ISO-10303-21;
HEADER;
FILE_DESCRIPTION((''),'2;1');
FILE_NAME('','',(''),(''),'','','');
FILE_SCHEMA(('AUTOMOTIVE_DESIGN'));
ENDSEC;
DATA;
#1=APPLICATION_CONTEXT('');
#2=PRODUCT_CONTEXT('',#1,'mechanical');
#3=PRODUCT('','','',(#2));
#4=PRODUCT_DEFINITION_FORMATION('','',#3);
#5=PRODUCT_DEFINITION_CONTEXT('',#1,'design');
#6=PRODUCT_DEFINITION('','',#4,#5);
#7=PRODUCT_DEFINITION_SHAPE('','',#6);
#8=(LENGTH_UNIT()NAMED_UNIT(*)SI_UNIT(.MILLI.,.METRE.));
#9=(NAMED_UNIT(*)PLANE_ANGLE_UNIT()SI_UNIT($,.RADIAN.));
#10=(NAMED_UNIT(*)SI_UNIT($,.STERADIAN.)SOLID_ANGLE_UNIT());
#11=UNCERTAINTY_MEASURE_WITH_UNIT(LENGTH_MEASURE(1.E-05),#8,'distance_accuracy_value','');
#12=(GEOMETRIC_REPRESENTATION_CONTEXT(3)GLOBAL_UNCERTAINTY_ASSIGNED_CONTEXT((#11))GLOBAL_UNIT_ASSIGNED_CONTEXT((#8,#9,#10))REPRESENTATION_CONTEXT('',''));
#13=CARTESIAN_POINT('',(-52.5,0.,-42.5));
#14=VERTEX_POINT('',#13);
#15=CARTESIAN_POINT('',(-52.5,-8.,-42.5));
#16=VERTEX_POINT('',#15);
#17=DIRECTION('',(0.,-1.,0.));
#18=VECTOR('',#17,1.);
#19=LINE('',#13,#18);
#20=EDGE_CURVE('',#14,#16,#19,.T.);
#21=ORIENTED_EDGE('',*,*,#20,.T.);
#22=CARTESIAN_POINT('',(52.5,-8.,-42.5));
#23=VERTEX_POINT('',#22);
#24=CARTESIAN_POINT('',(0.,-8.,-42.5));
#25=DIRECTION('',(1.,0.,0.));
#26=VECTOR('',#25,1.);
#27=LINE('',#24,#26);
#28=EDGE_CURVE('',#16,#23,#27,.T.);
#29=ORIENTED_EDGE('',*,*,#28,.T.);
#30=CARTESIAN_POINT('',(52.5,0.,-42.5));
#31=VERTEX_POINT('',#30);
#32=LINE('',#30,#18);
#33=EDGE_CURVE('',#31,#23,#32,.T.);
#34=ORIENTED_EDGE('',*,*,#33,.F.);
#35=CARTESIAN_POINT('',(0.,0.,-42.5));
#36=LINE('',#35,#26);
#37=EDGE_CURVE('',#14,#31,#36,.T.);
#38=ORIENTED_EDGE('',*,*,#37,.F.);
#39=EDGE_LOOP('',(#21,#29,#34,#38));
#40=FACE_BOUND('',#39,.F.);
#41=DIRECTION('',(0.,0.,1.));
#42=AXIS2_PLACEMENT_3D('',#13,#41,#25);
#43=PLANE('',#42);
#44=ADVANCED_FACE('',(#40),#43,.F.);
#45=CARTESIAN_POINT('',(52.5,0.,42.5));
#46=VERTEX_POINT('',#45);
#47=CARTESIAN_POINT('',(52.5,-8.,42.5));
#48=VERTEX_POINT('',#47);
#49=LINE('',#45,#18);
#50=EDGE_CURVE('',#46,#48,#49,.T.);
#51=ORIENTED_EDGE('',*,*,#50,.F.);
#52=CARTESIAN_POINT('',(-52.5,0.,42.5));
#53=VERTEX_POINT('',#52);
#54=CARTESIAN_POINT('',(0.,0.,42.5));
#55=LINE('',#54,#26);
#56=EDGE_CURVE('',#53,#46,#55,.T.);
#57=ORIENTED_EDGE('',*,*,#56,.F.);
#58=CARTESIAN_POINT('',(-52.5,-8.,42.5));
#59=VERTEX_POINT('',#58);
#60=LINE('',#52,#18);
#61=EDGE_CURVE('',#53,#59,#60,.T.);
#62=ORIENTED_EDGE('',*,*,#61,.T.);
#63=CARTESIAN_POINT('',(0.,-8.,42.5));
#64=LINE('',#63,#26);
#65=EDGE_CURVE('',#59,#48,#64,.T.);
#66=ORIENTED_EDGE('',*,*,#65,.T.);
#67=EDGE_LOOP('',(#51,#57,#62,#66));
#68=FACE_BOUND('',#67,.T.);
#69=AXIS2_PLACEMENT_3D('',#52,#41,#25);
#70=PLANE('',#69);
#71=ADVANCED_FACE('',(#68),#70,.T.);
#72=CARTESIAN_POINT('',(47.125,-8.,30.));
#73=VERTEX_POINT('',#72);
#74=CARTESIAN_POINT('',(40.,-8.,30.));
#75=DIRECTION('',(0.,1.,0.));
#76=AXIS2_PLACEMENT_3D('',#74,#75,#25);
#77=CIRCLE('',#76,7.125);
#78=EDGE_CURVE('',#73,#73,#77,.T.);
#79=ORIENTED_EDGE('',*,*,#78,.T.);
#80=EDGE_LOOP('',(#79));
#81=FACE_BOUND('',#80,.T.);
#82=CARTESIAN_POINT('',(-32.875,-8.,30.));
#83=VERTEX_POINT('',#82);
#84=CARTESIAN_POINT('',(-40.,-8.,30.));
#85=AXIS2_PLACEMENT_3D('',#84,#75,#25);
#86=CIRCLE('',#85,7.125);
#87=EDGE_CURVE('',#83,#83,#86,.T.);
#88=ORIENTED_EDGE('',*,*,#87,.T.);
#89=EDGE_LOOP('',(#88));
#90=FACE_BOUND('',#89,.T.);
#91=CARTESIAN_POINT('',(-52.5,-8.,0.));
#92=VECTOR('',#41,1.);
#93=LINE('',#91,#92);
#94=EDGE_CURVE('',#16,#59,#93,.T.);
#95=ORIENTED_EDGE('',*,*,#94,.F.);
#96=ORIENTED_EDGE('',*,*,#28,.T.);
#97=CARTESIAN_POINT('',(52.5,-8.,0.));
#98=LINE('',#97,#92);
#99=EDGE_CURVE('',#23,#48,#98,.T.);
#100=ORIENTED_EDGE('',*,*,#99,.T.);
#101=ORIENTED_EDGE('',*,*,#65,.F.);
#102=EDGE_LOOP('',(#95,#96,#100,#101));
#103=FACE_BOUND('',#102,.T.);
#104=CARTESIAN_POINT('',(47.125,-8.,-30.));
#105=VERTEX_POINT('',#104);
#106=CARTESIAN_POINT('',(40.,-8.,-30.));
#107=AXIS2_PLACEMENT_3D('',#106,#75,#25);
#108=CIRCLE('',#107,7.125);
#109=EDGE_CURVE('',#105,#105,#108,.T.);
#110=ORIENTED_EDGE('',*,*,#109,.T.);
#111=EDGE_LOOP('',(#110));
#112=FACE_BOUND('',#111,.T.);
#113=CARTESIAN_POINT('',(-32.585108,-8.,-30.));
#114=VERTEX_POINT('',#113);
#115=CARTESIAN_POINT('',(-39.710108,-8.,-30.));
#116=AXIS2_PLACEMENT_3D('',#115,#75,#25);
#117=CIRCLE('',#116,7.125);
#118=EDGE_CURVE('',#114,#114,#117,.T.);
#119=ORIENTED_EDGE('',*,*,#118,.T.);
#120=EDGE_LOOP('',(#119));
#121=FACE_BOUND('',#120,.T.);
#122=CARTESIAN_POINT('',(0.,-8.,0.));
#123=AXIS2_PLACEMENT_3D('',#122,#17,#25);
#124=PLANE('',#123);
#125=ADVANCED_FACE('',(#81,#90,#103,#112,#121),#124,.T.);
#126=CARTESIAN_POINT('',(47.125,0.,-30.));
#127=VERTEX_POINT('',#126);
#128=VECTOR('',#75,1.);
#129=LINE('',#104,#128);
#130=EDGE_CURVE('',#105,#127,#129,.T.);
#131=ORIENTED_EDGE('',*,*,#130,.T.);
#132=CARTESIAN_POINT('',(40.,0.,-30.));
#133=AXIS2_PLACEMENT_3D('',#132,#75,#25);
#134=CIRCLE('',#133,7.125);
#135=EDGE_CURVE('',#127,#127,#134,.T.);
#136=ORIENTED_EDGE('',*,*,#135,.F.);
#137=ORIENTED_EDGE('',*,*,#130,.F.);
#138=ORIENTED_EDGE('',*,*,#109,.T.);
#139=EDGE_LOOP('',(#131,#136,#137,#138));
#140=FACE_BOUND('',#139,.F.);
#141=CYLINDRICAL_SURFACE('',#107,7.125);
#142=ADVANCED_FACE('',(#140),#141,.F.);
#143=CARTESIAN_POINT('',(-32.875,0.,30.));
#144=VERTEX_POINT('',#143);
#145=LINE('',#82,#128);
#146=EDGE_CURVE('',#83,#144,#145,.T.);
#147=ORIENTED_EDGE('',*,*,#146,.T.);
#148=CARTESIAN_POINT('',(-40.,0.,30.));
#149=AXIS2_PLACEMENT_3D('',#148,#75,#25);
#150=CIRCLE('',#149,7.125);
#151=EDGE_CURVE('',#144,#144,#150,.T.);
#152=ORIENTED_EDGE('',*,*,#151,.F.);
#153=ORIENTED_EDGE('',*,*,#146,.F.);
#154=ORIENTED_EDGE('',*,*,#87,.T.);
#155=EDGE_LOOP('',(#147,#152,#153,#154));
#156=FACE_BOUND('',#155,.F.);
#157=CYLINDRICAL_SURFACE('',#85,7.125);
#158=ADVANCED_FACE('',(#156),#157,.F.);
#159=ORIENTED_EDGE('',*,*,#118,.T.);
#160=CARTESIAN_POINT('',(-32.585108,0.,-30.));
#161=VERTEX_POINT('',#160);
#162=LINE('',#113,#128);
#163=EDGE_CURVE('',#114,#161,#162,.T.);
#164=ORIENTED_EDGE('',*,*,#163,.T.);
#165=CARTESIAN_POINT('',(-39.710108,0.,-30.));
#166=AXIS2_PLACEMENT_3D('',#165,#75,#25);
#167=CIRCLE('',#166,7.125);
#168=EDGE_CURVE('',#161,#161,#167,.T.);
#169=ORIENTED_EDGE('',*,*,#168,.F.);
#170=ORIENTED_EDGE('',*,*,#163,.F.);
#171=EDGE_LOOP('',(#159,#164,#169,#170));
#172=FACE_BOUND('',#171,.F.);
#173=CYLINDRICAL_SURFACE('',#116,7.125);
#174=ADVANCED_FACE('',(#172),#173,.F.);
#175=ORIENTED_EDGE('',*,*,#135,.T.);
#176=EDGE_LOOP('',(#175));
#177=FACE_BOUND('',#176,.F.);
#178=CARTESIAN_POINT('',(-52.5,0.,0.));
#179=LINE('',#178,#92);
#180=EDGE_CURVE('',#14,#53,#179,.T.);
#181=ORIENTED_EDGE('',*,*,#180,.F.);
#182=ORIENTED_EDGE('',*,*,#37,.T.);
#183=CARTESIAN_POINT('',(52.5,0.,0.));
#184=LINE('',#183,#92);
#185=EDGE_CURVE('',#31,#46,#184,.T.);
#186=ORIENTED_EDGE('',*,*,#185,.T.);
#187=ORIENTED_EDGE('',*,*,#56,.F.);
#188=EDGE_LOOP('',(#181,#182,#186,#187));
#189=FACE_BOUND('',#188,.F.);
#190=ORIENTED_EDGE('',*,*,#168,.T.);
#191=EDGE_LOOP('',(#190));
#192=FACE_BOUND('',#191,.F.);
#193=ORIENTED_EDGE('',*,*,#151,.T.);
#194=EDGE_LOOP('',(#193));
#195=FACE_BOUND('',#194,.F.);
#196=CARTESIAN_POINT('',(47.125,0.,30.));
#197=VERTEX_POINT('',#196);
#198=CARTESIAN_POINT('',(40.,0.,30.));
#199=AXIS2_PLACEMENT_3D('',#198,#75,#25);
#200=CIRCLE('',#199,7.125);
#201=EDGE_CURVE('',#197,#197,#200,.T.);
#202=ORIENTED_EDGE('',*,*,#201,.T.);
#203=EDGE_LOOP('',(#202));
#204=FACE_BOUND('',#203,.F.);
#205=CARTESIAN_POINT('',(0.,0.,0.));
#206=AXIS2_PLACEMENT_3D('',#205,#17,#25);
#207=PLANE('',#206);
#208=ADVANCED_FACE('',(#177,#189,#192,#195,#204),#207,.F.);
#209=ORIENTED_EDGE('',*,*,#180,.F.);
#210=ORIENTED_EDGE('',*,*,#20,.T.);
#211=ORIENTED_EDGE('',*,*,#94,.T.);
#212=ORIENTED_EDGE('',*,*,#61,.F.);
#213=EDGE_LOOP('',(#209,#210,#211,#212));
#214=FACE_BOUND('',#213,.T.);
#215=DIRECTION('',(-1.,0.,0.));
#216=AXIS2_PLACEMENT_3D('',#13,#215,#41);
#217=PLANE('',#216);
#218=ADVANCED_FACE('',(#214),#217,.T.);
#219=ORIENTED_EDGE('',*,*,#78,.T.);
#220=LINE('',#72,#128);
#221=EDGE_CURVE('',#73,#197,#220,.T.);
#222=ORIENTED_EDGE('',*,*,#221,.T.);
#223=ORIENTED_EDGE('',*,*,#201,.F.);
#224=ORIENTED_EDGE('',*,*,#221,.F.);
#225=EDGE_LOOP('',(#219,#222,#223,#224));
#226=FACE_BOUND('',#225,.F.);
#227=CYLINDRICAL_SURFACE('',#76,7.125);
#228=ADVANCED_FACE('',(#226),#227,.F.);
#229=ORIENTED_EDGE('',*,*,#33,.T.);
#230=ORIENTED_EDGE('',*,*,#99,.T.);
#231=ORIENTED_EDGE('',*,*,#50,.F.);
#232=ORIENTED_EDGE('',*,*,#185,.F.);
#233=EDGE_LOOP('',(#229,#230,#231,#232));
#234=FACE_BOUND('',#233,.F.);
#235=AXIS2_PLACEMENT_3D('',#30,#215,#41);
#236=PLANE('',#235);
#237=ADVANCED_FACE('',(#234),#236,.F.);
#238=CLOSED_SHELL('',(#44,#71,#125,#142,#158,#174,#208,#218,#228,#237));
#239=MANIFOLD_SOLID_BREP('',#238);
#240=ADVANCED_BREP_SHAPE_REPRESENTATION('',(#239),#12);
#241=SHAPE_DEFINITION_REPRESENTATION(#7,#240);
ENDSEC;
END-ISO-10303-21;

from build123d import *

# Parameters (mm, degrees)
F0_W           = 105
F0_H           = 85
F0_R           = 3.3046670851
F0_R_2         = 3.6747306583
F1_DEPTH       = 8
F2_D           = 8.8
F2_CBORE_D     = 14.25
F2_CBORE_DEPTH = 8


with BuildPart() as f1:
    # F0 (on Front) → F1 (new body)
    with BuildSketch(Plane.XZ):
        Rectangle(F0_W, F0_H)
        with Locations((-39.7101081908, -30)):
            Circle(F0_R, mode=Mode.SUBTRACT)
        with BuildLine():
            ThreePointArc((43.5383924221, -30), (37.4979787239, -32.5020212761), (40, -26.4616075779))
            ThreePointArc((40, -26.4616075779), (42.5020212761, -27.4979787239), (43.5383924221, -30))
        make_face(mode=Mode.SUBTRACT)
        with Locations((-40, 30)):
            Circle(F0_R_2, mode=Mode.SUBTRACT)
        with BuildLine():
            ThreePointArc((40, 26.5591495715), (37.566951329, 27.566951329), (36.5591495715, 30))
            ThreePointArc((36.5591495715, 30), (40, 33.4408504285), (43.4408504285, 30))
            ThreePointArc((43.4408504285, 30), (42.433048671, 27.566951329), (40, 26.5591495715))
        make_face(mode=Mode.SUBTRACT)
        with Locations((-40, 30)):
            Circle(F0_R_2)
        with BuildLine():
            ThreePointArc((43.4408504285, 30), (40, 33.4408504285), (36.5591495715, 30))
            Line((36.5591495715, 30), (40, 30))
            Line((40, 30), (40, 26.5591495715))
            ThreePointArc((40, 26.5591495715), (42.433048671, 27.566951329), (43.4408504285, 30))
        make_face()
        with BuildLine():
            Line((40, 30), (36.5591495715, 30))
            ThreePointArc((36.5591495715, 30), (37.566951329, 27.566951329), (40, 26.5591495715))
            Line((40, 26.5591495715), (40, 30))
        make_face()
        with BuildLine():
            ThreePointArc((43.5383924221, -30), (42.5020212761, -27.4979787239), (40, -26.4616075779))
            ThreePointArc((40, -26.4616075779), (37.4979787239, -32.5020212761), (43.5383924221, -30))
        make_face()
        with Locations((-39.7101081908, -30)):
            Circle(F0_R)
    extrude(amount=F1_DEPTH)

    # F2 (through all)
    with Locations(Plane(origin=(0, 0, 0), x_dir=(1, 0, 0), z_dir=(0, 1, 0))):
        with Locations((-40, -30), (40, -30), (40, 30), (-39.7101081908, 30)):
            CounterBoreHole(F2_D / 2, F2_CBORE_D / 2, F2_CBORE_DEPTH)


solid = f1.part
